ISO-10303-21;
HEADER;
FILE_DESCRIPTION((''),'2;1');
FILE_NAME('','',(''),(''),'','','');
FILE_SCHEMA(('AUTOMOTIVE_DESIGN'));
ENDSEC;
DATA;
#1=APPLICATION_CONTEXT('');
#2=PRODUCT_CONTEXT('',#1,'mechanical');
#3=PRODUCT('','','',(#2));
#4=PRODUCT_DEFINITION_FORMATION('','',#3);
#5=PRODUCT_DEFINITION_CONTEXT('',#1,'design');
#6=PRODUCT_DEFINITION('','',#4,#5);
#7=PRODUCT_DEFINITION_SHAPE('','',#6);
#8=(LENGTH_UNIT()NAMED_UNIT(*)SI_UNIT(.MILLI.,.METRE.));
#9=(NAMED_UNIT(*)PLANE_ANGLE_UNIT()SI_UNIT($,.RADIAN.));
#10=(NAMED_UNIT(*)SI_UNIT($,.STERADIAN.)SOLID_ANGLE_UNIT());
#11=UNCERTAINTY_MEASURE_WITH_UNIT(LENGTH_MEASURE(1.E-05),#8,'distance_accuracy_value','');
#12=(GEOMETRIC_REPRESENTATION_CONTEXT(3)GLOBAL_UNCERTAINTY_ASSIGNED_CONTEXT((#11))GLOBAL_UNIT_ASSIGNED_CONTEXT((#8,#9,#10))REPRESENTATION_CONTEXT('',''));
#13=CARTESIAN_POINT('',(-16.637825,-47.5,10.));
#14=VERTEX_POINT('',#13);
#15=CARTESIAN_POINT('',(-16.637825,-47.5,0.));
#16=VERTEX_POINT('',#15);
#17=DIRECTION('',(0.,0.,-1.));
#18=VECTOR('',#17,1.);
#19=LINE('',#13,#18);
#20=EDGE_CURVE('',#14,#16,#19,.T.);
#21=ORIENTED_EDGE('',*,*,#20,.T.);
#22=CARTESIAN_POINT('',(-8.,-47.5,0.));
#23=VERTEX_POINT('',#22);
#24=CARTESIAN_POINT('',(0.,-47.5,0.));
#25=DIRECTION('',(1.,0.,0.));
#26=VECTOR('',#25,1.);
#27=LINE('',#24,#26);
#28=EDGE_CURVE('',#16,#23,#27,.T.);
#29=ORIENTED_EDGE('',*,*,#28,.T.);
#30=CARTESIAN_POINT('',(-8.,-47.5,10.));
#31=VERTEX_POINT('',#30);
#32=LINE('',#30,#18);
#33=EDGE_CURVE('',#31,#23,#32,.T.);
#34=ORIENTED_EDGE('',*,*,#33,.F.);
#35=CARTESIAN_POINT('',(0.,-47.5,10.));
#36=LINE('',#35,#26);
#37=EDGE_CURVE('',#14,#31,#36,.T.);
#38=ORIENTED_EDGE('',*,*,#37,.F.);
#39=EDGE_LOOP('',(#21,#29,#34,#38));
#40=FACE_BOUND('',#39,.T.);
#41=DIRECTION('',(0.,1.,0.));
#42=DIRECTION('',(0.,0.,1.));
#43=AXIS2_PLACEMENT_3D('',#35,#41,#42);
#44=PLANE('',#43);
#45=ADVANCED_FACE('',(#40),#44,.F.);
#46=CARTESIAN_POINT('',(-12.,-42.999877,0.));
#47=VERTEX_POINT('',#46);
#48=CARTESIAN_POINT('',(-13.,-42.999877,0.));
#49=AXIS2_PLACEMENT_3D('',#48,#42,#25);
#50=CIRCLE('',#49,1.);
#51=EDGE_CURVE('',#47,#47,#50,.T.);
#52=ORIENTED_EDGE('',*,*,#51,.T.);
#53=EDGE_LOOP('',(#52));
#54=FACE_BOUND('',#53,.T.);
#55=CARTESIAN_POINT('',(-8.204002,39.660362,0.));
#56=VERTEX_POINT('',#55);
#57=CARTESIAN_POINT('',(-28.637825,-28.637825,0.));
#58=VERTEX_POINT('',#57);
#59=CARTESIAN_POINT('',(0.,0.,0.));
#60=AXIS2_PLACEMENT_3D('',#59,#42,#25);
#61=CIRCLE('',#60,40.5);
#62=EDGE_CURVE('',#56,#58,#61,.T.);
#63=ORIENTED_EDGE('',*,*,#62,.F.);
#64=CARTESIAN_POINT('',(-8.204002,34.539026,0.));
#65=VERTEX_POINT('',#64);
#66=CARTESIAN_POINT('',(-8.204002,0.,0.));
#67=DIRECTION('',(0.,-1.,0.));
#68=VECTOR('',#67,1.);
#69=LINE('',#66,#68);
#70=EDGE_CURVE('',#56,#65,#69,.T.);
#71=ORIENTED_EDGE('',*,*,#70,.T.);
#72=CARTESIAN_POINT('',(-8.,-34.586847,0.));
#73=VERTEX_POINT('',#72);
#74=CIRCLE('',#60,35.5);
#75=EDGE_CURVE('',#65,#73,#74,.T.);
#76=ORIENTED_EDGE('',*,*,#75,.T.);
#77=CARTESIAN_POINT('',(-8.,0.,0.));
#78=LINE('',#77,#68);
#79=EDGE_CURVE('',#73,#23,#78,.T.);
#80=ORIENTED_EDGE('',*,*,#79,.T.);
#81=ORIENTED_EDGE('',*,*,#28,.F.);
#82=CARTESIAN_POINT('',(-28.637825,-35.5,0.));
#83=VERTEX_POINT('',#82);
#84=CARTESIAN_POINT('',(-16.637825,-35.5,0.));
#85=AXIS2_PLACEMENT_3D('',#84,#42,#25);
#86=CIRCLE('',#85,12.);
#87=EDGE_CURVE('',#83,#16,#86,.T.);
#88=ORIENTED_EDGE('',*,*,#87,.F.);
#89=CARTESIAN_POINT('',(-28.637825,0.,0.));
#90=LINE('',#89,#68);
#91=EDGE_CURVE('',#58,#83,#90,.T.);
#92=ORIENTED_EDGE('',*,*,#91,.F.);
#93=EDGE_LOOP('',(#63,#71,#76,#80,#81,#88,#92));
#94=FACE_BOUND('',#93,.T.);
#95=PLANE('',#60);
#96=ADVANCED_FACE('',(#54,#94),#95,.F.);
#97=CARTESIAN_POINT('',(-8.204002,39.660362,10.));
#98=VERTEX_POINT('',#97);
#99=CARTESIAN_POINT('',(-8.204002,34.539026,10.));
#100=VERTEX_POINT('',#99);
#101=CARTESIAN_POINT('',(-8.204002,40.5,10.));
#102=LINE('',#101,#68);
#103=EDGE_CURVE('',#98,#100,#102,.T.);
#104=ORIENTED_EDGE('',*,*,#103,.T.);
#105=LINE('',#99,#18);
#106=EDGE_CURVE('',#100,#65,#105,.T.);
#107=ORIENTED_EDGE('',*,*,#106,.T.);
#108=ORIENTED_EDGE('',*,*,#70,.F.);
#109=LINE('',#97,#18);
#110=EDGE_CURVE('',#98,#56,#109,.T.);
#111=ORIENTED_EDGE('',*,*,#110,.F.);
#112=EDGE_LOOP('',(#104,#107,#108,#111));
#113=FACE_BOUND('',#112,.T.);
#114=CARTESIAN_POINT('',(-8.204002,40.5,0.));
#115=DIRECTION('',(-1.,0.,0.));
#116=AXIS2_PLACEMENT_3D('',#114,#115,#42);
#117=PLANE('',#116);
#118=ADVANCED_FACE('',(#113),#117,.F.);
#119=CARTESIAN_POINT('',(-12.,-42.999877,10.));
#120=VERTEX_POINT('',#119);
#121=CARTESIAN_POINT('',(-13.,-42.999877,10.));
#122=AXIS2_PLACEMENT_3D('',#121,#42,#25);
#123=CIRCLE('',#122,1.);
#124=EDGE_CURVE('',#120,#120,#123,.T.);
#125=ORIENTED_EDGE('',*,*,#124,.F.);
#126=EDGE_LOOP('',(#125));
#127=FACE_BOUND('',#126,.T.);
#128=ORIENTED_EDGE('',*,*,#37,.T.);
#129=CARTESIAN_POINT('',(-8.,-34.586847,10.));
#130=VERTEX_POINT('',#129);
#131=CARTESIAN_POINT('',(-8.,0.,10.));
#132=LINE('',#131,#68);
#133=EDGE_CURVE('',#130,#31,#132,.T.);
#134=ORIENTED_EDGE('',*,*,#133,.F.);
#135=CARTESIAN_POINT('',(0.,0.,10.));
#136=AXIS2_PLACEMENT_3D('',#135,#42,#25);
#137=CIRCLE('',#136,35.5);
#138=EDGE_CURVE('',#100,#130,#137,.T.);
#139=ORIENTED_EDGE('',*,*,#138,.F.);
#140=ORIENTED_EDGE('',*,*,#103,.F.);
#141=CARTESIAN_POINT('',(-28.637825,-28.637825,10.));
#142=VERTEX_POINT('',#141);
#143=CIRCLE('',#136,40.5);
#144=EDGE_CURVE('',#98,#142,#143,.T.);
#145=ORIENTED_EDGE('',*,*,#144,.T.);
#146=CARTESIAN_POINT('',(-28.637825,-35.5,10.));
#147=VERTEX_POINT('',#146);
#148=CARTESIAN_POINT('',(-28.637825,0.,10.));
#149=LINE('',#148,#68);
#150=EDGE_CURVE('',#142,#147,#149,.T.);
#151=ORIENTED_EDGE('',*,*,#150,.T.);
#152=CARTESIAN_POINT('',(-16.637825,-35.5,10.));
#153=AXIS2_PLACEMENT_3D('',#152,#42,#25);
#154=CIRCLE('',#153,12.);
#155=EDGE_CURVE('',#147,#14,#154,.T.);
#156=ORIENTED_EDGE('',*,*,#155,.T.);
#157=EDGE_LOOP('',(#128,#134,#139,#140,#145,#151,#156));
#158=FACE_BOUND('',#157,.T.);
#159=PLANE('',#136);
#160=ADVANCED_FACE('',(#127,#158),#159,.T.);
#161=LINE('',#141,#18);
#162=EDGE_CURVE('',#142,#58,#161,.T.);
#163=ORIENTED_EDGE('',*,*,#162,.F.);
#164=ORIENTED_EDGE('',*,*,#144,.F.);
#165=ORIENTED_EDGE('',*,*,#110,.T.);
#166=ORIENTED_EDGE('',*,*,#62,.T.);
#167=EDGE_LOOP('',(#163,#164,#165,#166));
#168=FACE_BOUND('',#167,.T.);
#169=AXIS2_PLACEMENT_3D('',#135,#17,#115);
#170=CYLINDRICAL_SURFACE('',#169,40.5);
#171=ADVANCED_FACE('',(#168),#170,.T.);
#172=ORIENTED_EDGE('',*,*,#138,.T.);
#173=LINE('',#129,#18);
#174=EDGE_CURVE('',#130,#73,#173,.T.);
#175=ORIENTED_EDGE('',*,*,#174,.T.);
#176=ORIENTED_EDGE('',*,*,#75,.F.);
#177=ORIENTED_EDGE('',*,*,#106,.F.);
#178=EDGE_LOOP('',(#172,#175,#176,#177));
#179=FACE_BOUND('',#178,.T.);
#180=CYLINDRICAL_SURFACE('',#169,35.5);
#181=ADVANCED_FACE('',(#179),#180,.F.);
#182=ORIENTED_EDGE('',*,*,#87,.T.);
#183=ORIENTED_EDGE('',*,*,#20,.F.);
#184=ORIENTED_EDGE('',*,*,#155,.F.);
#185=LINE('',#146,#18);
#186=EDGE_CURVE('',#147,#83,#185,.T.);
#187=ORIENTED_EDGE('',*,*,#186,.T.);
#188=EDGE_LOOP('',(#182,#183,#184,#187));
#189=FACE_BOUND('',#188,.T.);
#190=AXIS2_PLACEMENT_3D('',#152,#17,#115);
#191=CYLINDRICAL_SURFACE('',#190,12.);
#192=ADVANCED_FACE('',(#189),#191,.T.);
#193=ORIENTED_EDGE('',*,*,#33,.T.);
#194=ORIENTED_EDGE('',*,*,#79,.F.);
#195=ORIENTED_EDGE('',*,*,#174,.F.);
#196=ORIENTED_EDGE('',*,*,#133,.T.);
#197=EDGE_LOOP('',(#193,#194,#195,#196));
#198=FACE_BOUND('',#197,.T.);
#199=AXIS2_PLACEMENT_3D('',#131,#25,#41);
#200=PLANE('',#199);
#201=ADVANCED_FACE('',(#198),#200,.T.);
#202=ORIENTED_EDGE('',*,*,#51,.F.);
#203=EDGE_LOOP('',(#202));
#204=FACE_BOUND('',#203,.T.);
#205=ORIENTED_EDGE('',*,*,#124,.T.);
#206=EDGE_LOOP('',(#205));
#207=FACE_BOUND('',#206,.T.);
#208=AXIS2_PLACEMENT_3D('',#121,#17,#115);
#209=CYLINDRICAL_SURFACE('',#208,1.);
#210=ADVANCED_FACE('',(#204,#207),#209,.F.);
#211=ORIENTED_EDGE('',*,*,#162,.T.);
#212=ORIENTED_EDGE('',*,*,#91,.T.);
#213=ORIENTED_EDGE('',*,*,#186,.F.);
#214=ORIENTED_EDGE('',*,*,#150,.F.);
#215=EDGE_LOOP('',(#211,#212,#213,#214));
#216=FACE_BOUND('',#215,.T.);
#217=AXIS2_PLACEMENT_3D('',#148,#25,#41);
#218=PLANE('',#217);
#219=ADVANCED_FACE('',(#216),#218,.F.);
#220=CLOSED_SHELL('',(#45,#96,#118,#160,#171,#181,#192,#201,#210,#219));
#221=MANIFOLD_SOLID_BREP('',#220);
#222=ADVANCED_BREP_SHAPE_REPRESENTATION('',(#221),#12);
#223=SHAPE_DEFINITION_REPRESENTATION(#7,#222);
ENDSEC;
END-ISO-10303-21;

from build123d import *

# Parameters (mm, degrees)
SKETCH1_R           = 1
BOSS_EXTRUDE1_DEPTH = 10
SKETCH2_W           = 8.204002356
SKETCH2_H           = 9.353246275
CUT_EXTRUDE1_DEPTH  = 10


with BuildPart() as part:
    # Sketch1 → Boss-Extrude1 (new body)
    with BuildSketch(Plane.XY):
        with BuildLine():
            ThreePointArc((-8, -34.586847211), (-35.270973023, 4.025973423), (0, 35.5))
            Line((0, 35.5), (0, 40.5))
            ThreePointArc((0, 40.5), (-37.417121067, 15.498679011), (-28.637824638, -28.637824638))
            Line((-28.637824638, -28.637824638), (-28.637824638, -35.5))
            ThreePointArc((-28.637824638, -35.5), (-25.123106012, -43.985281374), (-16.637824638, -47.5))
            Line((-16.637824638, -47.5), (-8, -47.5))
            Line((-8, -47.5), (-8, -34.586847211))
        make_face()
        with Locations((-13, -42.999876828)):
            Circle(SKETCH1_R, mode=Mode.SUBTRACT)
    extrude(amount=BOSS_EXTRUDE1_DEPTH)

    # Sketch2 → Cut-Extrude1 (cut)
    with BuildSketch(Plane.XY.offset(10)):
        with Locations((-4.102001178, 35.823376862)):
            Rectangle(SKETCH2_W, SKETCH2_H)
    extrude(amount=-CUT_EXTRUDE1_DEPTH, mode=Mode.SUBTRACT)


solid = part.part
